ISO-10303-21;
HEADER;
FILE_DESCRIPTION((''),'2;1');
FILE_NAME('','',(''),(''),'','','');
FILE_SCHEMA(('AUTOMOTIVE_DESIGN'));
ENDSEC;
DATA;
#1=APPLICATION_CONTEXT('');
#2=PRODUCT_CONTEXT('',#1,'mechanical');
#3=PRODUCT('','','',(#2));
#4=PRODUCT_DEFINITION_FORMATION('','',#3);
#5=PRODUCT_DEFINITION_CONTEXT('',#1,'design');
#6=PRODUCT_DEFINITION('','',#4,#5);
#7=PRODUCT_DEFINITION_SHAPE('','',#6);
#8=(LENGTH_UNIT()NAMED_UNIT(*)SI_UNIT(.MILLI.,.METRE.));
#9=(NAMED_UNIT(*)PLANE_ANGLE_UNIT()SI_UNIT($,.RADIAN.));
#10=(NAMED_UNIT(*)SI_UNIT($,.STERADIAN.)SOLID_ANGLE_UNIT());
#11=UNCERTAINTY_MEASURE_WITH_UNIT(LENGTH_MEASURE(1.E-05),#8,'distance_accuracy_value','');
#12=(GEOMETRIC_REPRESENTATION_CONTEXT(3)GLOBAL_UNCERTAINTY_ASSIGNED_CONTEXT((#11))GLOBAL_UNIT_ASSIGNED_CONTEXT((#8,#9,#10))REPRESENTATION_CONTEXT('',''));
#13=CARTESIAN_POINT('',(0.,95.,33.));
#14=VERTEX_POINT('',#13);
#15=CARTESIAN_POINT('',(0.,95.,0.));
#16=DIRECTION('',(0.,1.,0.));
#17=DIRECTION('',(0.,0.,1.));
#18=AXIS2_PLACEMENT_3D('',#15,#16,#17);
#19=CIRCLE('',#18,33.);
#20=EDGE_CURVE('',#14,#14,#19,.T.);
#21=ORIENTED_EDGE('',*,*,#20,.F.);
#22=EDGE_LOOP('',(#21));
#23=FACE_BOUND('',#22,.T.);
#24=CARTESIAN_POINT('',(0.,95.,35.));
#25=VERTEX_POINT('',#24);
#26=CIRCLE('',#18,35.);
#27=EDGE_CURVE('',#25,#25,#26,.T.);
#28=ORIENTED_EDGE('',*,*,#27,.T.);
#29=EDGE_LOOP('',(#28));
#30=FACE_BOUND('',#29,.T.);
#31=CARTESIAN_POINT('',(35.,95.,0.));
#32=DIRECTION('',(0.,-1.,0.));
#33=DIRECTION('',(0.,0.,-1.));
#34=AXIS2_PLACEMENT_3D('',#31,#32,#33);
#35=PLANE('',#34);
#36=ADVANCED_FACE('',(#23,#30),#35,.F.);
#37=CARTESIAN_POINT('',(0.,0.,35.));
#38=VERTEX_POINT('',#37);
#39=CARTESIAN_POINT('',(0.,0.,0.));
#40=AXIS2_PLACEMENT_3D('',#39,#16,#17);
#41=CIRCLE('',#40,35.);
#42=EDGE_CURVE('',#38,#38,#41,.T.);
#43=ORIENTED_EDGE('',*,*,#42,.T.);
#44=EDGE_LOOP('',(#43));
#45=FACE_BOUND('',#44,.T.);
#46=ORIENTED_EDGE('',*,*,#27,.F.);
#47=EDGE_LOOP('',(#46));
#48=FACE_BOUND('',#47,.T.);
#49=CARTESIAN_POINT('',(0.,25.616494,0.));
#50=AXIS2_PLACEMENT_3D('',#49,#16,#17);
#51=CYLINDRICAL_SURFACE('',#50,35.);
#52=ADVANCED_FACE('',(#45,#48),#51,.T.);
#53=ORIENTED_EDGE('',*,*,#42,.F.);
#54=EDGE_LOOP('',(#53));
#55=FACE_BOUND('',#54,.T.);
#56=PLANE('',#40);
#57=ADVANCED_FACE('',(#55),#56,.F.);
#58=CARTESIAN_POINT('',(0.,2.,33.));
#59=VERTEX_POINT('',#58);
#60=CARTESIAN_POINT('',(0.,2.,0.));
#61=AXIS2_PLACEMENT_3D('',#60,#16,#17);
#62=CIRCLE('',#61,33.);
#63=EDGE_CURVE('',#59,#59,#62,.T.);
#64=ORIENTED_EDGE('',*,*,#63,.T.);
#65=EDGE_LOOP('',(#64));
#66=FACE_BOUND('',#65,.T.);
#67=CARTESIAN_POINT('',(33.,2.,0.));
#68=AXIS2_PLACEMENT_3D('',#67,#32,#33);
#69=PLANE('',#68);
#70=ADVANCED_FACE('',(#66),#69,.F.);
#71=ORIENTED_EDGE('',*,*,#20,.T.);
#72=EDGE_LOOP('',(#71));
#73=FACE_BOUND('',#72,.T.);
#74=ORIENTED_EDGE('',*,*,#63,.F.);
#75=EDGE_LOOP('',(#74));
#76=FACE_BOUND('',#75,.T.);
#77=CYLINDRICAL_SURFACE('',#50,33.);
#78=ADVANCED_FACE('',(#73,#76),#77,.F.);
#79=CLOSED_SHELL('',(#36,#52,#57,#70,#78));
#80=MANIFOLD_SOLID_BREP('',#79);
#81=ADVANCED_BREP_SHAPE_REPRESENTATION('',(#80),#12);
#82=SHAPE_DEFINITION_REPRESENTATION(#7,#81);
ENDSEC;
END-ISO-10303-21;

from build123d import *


with BuildPart() as part:
    # Croquis1 → Revolución1 (revolve)
    with BuildSketch(Plane.XY, mode=Mode.PRIVATE) as revoluci_n1_sk:
        Polygon((0, 0), (35, 0), (35, 95), (33, 95), (33, 2), (0, 2), align=None)
    revolve(revoluci_n1_sk.sketch.rotate(Axis((0, 25.616493672, 0), (0, -1, 0)), 90), axis=Axis((0, 25.616493672, 0), (0, -1, 0)))


solid = part.part
